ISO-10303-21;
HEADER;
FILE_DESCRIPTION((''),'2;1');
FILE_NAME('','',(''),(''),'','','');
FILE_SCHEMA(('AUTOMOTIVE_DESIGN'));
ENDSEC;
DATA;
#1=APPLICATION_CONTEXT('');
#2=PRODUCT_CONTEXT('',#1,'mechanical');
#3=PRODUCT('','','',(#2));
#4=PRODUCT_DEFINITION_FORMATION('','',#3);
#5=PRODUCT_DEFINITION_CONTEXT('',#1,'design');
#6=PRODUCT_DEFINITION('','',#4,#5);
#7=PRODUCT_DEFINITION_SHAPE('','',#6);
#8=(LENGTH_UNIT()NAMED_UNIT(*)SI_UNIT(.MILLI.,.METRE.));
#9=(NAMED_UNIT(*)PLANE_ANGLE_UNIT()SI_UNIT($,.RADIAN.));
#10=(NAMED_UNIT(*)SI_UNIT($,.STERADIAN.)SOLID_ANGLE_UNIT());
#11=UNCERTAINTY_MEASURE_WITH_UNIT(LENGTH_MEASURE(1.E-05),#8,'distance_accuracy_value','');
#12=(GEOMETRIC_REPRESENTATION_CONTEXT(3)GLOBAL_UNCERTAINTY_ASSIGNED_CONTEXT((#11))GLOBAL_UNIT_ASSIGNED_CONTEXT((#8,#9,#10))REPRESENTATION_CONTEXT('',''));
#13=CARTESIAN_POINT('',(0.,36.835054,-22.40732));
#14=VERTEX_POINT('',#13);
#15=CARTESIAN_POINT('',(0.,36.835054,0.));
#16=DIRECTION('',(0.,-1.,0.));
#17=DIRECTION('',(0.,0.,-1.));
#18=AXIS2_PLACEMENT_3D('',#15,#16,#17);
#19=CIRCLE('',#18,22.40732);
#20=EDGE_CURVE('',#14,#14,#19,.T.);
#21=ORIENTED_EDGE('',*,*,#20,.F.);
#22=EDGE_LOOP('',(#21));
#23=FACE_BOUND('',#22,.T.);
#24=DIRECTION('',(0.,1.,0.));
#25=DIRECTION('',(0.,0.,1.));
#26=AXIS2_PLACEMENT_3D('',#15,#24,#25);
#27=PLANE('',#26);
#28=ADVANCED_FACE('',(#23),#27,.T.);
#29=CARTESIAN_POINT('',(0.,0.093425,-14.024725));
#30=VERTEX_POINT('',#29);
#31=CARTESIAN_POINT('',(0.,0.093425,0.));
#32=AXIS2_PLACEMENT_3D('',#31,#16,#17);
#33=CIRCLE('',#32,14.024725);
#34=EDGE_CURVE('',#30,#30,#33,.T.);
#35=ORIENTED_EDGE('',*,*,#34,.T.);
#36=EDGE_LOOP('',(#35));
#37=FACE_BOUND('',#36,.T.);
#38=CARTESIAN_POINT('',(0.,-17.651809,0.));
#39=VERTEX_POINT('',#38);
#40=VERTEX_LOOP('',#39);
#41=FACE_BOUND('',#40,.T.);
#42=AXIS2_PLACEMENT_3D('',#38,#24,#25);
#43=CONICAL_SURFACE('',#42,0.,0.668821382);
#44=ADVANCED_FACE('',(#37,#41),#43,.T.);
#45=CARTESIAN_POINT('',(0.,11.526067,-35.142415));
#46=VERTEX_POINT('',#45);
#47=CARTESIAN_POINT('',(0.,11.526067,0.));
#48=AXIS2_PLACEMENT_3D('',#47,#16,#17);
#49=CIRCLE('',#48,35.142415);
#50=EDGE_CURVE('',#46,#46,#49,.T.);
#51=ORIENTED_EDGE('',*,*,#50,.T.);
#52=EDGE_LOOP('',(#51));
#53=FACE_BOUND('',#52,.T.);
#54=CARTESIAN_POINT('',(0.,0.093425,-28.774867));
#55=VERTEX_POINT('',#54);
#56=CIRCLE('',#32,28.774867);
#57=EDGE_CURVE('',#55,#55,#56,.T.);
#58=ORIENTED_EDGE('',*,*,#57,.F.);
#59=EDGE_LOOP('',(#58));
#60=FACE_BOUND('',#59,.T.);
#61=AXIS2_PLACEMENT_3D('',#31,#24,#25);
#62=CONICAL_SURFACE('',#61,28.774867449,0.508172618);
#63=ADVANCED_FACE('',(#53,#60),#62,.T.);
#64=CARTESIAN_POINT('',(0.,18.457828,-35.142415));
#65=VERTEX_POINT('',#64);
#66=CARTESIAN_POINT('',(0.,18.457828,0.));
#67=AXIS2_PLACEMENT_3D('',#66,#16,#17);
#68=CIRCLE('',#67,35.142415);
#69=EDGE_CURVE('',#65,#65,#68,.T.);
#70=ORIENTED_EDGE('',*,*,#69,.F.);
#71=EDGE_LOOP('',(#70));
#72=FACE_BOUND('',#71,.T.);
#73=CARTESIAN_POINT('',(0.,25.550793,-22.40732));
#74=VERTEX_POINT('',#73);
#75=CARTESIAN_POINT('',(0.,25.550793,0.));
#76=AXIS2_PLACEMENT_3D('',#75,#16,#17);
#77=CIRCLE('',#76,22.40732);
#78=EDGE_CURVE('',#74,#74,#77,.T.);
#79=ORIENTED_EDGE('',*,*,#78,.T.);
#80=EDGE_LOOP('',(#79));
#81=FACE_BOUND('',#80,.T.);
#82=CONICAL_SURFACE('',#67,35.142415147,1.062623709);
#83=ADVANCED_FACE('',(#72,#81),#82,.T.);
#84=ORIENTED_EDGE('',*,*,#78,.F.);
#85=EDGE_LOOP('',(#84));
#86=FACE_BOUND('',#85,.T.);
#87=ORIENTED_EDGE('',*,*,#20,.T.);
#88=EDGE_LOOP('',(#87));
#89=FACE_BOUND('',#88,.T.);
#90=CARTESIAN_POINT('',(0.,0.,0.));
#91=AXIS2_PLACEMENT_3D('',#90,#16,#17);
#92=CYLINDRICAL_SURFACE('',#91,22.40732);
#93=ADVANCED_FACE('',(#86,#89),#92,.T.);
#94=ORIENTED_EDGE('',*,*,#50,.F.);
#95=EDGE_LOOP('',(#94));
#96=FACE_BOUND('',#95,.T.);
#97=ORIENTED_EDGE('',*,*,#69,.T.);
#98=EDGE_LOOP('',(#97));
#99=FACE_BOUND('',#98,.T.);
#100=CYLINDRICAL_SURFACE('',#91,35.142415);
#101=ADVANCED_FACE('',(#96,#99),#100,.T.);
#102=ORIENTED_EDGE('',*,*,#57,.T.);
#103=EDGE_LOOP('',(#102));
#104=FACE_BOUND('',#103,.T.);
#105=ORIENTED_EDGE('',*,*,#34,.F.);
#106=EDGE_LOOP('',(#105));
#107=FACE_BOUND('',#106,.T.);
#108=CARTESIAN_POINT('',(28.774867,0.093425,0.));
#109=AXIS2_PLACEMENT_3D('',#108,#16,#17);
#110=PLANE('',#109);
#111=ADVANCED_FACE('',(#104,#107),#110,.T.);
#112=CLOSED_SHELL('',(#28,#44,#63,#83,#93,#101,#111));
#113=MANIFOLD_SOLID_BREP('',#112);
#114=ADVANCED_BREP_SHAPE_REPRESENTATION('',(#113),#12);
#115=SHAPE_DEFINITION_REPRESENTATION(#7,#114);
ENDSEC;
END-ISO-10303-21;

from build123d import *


with BuildPart() as part:
    # Sketch1 → Revolve1 (revolve)
    with BuildSketch(Plane.XY, mode=Mode.PRIVATE) as revolve1_sk:
        Polygon((0, 36.835054409), (22.40731975, 36.835054409), (22.40731975, 25.550792664), (35.142415147, 18.457828139), (35.142415147, 11.526067353), (28.774867449, 0.093424894), (14.024725311, 0.093424894), (0, -17.651809443), align=None)
    revolve(revolve1_sk.sketch.rotate(Axis((0, 0, 0), (0, 1, 0)), 90), axis=Axis((0, 0, 0), (0, 1, 0)))


solid = part.part
